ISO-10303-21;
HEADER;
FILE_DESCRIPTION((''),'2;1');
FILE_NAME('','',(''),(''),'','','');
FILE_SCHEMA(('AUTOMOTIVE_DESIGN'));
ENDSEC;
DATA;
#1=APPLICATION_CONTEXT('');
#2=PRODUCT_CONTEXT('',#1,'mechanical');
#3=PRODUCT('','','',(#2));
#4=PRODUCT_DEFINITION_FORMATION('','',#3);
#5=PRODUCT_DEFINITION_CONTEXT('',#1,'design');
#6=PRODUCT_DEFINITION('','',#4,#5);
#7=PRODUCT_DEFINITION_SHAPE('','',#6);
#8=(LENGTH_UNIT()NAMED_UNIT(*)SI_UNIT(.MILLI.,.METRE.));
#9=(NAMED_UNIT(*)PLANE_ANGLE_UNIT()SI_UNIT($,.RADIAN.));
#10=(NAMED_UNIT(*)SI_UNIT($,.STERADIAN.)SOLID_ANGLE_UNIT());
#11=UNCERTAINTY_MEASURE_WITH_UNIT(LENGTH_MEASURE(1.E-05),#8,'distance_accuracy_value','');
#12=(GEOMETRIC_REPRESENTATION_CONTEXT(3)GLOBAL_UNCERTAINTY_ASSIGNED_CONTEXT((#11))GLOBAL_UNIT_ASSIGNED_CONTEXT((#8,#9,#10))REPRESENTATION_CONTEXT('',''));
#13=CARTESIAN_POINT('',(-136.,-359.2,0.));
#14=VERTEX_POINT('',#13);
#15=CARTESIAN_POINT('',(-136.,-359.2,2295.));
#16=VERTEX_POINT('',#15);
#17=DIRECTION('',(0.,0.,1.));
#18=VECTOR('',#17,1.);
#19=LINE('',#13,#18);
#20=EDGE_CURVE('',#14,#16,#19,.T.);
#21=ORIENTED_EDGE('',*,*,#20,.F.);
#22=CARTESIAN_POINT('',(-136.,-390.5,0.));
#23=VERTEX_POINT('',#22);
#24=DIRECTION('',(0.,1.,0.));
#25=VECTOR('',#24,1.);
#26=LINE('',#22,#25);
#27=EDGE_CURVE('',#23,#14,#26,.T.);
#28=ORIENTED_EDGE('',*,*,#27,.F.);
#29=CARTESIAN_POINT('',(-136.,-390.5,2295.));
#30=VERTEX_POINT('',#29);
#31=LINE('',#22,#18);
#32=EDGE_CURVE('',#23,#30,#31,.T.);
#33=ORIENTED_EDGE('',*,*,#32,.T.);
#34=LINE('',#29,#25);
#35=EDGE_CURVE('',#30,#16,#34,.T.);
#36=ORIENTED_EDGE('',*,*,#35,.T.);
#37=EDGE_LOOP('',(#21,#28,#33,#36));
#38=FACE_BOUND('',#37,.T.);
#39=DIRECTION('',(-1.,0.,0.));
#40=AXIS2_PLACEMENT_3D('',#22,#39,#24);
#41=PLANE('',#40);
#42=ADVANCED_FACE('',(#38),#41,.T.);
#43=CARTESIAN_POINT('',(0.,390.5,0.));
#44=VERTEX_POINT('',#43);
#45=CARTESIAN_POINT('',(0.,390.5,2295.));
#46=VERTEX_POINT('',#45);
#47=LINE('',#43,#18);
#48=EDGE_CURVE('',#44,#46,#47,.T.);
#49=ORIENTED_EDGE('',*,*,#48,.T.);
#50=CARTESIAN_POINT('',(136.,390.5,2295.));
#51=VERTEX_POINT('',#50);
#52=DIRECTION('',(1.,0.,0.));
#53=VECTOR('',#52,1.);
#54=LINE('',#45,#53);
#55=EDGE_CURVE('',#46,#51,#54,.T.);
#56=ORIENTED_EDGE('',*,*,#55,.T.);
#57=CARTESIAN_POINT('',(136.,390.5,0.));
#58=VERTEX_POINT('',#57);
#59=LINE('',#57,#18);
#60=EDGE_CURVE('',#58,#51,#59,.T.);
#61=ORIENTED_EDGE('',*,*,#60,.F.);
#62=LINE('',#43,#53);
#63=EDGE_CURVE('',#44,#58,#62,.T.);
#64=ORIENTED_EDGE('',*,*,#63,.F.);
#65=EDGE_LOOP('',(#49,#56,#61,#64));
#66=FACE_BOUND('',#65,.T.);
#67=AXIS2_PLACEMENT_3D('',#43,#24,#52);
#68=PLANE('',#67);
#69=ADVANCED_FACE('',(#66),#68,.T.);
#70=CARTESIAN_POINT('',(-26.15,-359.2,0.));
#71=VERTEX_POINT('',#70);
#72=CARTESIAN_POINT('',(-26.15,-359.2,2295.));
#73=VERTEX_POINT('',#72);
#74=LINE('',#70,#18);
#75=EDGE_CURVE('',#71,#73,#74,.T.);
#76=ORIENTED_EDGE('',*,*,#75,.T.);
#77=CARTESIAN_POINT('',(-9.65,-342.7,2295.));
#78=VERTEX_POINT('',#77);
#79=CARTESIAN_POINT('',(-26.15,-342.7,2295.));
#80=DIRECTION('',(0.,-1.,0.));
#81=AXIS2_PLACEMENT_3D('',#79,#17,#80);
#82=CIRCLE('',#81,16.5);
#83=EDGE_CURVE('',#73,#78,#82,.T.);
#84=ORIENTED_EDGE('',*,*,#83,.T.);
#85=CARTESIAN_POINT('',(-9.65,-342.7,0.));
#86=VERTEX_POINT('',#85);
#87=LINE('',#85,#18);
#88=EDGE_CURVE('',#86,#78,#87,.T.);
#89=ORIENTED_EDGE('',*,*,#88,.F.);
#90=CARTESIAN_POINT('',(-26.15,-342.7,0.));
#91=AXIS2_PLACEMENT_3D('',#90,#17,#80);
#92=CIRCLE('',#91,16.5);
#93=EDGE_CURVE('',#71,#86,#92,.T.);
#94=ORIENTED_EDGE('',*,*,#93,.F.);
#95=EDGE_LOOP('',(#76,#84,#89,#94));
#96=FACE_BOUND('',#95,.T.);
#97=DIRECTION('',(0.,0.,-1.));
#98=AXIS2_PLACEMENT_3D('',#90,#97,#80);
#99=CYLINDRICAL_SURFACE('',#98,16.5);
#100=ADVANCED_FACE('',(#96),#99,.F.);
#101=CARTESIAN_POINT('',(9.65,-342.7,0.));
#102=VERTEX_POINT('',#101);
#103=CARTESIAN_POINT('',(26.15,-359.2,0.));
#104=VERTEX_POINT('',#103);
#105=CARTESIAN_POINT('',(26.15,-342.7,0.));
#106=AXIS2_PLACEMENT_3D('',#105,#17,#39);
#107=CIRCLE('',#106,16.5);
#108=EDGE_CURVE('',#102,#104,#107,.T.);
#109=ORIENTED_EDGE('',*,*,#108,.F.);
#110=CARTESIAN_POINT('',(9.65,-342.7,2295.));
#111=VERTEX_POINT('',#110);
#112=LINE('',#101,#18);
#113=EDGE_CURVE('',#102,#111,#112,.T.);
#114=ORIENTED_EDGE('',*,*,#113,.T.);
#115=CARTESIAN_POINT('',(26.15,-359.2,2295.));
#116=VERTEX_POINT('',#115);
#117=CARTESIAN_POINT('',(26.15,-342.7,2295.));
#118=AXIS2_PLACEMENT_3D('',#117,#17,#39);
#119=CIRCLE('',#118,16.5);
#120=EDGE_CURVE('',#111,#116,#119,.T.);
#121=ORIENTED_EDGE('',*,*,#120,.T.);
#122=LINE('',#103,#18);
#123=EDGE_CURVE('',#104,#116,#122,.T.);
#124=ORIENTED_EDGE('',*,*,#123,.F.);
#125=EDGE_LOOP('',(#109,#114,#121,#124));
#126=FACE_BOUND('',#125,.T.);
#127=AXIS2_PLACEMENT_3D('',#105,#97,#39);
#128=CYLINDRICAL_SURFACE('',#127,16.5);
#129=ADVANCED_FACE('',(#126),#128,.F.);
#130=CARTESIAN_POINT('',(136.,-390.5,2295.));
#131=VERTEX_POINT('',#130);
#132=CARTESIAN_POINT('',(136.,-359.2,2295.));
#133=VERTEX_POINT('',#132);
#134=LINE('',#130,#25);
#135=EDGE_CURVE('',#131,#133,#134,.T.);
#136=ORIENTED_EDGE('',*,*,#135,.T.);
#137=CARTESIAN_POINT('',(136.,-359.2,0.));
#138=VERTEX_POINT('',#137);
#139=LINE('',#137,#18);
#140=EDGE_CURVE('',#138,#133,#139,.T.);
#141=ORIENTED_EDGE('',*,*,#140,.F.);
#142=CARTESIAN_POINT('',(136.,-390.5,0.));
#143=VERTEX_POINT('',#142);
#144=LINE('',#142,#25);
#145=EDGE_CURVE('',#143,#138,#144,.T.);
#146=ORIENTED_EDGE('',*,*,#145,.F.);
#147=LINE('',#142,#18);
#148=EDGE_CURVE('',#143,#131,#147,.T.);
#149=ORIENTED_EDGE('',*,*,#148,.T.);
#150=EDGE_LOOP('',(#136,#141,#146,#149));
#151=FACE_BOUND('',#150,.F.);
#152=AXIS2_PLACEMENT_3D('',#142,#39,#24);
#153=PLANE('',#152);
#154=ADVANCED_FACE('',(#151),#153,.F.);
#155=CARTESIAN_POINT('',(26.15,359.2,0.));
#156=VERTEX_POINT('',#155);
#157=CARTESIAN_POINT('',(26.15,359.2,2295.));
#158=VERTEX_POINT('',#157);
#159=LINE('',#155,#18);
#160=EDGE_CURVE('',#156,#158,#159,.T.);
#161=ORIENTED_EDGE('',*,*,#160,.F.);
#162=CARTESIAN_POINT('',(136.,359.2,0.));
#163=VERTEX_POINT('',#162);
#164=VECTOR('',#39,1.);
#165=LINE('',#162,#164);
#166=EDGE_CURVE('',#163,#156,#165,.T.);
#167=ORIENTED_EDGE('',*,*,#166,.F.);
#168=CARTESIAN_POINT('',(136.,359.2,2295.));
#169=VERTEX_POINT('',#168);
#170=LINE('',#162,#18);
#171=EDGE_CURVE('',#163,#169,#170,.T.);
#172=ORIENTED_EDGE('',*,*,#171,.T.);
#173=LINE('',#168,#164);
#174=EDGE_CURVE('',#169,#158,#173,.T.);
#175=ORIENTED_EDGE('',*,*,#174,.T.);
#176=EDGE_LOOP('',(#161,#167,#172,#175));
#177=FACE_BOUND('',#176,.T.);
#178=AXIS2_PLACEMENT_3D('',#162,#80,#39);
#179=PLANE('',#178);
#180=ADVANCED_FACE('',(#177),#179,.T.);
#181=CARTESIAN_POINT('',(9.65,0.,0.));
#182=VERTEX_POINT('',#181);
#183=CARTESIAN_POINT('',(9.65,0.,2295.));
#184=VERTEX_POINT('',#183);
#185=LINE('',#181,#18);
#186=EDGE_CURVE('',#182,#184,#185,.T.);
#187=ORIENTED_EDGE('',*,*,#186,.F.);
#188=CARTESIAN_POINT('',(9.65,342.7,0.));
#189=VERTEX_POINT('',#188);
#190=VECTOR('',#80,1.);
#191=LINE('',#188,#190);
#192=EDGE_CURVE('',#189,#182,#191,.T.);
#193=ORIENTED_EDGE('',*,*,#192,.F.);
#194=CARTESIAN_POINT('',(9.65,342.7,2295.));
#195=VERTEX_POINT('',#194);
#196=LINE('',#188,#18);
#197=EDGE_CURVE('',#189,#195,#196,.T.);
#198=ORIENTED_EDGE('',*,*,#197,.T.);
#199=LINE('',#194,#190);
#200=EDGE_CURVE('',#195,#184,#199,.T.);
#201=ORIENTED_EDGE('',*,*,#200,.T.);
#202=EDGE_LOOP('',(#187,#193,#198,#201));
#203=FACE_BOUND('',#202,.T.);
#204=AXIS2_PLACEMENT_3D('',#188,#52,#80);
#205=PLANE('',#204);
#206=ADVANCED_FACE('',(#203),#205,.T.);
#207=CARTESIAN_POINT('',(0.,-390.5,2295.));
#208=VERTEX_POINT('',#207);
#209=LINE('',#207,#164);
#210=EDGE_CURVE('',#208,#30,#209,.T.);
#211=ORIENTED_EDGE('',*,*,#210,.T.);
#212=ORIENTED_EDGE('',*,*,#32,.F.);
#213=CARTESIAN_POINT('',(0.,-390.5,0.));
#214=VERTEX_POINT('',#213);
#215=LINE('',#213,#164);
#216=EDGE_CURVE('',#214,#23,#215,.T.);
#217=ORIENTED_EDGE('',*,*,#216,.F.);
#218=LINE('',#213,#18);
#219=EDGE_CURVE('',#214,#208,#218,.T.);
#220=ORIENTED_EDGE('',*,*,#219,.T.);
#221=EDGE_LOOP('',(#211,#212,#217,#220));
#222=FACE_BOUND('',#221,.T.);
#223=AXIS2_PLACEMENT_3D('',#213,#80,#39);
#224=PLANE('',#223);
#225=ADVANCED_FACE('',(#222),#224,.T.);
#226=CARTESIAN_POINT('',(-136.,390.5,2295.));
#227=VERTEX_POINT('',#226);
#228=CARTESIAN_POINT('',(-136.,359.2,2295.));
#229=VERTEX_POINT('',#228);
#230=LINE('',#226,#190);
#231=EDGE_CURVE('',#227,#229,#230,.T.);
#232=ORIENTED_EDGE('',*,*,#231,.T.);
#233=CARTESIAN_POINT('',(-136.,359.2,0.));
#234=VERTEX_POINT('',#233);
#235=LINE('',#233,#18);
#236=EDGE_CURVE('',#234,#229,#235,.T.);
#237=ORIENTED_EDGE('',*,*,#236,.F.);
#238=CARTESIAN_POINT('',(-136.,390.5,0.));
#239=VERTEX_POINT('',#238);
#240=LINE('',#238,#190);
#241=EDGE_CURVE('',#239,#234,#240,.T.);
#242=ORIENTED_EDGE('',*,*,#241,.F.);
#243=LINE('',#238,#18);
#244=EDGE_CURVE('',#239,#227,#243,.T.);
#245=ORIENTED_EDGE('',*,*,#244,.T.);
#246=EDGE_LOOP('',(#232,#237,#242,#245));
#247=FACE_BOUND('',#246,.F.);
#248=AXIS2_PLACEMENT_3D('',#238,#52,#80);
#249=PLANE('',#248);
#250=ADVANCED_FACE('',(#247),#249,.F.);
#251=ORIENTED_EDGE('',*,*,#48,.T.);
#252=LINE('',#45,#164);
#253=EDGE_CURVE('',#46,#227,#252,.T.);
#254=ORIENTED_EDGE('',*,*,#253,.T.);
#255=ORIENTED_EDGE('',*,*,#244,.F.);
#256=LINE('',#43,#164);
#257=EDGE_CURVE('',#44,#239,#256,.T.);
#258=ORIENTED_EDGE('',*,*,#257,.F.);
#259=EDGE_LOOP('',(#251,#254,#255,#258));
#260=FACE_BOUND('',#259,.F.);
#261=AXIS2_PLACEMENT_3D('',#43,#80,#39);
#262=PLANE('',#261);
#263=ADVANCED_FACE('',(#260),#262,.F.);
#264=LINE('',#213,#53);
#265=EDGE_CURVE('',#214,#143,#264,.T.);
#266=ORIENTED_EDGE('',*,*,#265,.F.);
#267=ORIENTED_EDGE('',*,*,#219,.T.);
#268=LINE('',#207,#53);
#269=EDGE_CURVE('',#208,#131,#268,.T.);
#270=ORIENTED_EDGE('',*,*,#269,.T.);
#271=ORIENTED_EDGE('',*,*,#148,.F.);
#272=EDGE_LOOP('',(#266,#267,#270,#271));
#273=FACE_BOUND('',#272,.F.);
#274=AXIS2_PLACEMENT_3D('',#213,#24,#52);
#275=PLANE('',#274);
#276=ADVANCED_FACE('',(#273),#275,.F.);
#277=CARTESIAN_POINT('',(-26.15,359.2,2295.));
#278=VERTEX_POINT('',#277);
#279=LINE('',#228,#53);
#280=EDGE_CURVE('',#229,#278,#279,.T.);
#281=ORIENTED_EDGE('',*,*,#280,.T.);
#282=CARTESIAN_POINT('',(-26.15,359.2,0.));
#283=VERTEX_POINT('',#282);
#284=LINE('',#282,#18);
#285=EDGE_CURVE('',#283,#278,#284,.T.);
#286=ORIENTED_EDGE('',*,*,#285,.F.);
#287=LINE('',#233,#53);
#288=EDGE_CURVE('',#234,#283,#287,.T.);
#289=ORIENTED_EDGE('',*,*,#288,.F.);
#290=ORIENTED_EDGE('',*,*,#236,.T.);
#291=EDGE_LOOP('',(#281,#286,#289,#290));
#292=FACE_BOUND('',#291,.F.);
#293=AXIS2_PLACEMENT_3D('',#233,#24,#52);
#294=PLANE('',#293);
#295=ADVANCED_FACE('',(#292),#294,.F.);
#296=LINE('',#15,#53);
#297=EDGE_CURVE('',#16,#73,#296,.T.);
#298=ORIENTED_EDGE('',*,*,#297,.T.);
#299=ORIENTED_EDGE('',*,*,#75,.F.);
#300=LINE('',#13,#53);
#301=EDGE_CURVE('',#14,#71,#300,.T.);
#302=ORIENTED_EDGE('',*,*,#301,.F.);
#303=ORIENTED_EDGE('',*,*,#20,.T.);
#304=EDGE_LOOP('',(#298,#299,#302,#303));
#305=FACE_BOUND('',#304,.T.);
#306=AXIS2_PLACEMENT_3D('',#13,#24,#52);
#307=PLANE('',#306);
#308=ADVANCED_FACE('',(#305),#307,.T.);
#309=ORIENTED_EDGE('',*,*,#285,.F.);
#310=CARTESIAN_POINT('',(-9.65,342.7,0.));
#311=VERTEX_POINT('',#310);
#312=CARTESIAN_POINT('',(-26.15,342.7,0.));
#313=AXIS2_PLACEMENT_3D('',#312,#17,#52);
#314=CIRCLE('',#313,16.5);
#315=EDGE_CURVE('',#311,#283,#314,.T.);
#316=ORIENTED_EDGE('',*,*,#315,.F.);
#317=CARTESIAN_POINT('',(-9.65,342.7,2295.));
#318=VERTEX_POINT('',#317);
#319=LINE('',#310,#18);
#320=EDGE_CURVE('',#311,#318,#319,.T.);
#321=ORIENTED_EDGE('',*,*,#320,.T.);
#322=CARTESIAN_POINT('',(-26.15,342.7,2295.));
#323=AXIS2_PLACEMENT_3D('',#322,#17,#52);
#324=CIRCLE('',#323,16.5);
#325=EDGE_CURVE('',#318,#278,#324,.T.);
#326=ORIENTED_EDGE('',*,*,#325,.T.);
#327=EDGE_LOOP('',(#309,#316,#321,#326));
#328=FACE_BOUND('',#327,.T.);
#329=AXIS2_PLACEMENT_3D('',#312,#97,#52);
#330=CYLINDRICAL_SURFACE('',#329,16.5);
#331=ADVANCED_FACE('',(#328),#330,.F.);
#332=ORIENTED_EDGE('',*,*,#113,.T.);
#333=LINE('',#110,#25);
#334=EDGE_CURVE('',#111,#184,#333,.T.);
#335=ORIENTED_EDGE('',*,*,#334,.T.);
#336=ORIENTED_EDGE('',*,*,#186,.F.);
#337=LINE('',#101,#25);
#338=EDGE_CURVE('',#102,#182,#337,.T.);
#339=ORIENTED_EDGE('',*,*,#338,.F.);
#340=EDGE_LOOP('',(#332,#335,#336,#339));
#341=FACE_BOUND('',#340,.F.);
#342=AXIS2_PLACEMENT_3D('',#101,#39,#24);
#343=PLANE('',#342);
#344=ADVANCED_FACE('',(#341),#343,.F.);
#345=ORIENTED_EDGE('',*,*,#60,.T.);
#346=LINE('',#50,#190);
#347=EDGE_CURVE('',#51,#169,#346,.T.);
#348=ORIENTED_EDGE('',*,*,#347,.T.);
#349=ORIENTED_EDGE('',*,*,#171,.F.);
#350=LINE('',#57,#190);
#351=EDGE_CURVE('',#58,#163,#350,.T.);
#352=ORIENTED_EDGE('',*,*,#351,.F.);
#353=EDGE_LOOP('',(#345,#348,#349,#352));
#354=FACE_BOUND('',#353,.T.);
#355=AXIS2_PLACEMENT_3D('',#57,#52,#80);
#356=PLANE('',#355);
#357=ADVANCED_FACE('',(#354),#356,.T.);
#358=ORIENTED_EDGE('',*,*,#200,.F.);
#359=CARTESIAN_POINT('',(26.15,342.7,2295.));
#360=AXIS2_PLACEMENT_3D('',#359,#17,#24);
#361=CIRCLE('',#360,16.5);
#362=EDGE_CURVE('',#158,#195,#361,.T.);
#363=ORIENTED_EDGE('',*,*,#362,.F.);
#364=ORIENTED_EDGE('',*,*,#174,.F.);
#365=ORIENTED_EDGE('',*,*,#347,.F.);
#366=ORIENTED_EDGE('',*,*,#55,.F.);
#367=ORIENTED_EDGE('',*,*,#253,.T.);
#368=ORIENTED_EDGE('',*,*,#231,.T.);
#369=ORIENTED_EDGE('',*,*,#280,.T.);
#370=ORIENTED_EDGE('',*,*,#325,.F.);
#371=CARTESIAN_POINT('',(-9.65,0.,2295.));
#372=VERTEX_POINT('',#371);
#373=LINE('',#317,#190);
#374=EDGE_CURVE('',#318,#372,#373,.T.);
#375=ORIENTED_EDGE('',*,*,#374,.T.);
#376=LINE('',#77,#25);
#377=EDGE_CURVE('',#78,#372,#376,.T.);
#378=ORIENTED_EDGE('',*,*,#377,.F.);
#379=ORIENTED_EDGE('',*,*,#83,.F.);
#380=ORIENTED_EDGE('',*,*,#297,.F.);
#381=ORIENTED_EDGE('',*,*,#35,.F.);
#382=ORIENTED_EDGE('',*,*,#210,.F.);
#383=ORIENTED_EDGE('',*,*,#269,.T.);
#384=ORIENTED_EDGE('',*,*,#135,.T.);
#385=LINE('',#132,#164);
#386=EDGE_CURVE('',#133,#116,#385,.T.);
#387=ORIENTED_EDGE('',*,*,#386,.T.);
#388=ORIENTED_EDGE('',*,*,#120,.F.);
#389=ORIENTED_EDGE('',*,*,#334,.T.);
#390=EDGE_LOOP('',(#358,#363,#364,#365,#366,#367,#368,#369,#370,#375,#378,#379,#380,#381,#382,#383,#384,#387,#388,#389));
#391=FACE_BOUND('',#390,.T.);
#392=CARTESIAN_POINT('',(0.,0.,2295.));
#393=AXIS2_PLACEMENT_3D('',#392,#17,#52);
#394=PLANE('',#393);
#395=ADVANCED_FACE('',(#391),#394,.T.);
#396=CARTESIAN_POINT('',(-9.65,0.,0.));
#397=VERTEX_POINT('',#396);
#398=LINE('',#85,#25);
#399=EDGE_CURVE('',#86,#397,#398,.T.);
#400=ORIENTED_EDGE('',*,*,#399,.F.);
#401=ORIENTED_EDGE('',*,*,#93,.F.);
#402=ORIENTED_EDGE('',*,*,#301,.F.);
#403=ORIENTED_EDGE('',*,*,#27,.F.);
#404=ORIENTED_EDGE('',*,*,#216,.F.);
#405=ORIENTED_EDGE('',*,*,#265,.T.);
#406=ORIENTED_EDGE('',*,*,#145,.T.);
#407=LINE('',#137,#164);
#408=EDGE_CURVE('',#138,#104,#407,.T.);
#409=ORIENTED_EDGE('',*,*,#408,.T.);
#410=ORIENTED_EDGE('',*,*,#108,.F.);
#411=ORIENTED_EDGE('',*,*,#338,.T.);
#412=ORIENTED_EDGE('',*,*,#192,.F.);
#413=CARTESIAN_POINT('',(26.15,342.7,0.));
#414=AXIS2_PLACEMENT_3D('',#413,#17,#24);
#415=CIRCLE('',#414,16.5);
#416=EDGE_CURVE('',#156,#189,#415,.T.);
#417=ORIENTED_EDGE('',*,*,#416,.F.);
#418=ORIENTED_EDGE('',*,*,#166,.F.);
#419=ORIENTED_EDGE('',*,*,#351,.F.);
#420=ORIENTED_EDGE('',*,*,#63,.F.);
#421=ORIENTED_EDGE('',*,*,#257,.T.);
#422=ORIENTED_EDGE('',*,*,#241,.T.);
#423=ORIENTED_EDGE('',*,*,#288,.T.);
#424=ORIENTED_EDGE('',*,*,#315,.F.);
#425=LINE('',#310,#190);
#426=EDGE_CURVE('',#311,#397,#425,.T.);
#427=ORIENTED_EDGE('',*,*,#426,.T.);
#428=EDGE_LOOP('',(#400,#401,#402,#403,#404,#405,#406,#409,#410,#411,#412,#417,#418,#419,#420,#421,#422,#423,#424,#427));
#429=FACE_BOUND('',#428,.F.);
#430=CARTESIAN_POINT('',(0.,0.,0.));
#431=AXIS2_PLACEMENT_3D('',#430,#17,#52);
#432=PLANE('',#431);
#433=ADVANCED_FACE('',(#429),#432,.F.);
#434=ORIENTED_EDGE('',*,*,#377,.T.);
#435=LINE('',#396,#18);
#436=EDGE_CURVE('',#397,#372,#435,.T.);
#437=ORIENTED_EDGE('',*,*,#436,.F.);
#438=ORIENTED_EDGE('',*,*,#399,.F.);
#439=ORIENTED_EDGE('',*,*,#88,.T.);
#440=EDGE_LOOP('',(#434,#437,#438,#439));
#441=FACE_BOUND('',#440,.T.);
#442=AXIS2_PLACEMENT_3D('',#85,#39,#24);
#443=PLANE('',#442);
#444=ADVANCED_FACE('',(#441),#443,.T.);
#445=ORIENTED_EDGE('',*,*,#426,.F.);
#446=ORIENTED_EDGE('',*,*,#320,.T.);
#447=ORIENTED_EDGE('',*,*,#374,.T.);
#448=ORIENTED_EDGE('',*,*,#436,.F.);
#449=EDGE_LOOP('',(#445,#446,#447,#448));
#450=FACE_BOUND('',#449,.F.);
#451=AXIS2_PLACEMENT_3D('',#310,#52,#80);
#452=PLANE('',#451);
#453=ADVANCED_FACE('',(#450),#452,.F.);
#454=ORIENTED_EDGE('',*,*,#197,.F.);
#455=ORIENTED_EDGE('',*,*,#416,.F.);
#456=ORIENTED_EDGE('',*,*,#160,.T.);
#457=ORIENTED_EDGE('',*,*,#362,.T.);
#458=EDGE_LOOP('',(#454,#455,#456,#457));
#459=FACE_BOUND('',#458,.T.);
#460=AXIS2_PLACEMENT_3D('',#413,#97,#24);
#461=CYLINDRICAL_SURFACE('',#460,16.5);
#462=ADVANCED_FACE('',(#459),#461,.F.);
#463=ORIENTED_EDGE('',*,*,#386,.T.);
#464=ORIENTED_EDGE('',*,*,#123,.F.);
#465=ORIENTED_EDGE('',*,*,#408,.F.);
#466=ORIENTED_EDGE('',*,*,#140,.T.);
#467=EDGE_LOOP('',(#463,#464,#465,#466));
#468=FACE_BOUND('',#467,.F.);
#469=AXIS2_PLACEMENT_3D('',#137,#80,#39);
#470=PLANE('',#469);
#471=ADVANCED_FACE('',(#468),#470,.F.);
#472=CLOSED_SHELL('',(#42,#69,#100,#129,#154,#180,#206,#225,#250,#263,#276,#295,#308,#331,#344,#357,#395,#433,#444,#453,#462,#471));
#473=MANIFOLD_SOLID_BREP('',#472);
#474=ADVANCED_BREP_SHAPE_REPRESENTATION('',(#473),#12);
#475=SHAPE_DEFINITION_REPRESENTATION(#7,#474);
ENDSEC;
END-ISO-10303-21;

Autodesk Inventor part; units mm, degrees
ref_plane "YZ Plane" through (0, 0, 0) normal (1, 0, 0) x (0, 1, 0)
ref_plane "Start plane" through (0, 0, 0) normal (0, 0, 1) x (1, 0, 0)
ref_plane "End plane" through (0, 0, 2295) normal (0, 0, 1) x (1, 0, 0)
sketch "Sketch" plane through (0, 0, 0) normal (0, 0, 1) x (1, 0, 0)
  line L0 (-136, -390.5) -> (-136, -359.2)
  line L1 (-136, -359.2) -> (-26.15, -359.2)
  line L2 (-9.65, -342.7) -> (-9.65, 0)
  line L3 (-9.65, 0) -> (0, 0) construction
  line L4 (0, 0) -> (0, -390.5) construction
  line L5 (0, -390.5) -> (-136, -390.5)
  line L6 (-60, 0) -> (80, 0) construction
  line L7 (0, -60) -> (0, 80) construction
  line L8 (136, -390.5) -> (136, -359.2)
  line L9 (136, -359.2) -> (26.15, -359.2)
  line L10 (9.65, -342.7) -> (9.65, 0)
  line L11 (9.65, 0) -> (0, 0) construction
  line L12 (0, -390.5) -> (136, -390.5)
  line L13 (-136, 390.5) -> (-136, 359.2)
  line L14 (-136, 359.2) -> (-26.15, 359.2)
  line L15 (-9.65, 342.7) -> (-9.65, 0)
  line L16 (0, 390.5) -> (-136, 390.5)
  line L17 (136, 390.5) -> (136, 359.2)
  line L18 (136, 359.2) -> (26.15, 359.2)
  line L19 (0, 390.5) -> (136, 390.5)
  line L20 (9.65, 342.7) -> (9.65, 0)
  arc A0 (-9.65, 342.7) -> (-26.15, 359.2) centre (-26.15, 342.7) ccw
  arc A1 (26.15, 359.2) -> (9.65, 342.7) centre (26.15, 342.7) ccw
  arc A2 (9.65, -342.7) -> (26.15, -359.2) centre (26.15, -342.7) ccw
  arc A3 (-26.15, -359.2) -> (-9.65, -342.7) centre (-26.15, -342.7) ccw
  line L21 (0, 108) -> (0, -88) construction
  line L22 (-88, 0) -> (108, 0) construction
  point P0 (-9.65, -359.2)
  point P1 (9.65, -359.2)
  point P2 (-9.65, 359.2)
  point P3 (9.65, 359.2)
  dimension "d1" = 390.5
  dimension "d2" = 31.3
  dimension "d3" = 136
  dimension "d4" = 9.65
  dimension "d10" = 16.5
extrude "Body" add sketch "Sketch" along normal up to surface (2295 mm away) from surface at 0
sketch "Sketch4" plane through (0, 0, 0) normal (0, 0, 1) x (1, 0, 0)
  line L0 (0, 0) -> (10, 0)
ref_plane "Work Plane3" through (0, 0, 0) normal (0, -1, 0) x (1, 0, 0)
sketch "Sketch5" plane through (0, 0, 0) normal (0, -1, 0) x (1, 0, 0)
  line L0 (-2, 0) -> (12, 0) projected
  line L1 (-2, 2295) -> (12, 2295) projected
  dimension "d14" = 2295
equation "\"d1\" = 0.5 * G_H"
equation "\"d2\" = G_T1"
equation "\"d3\" = 0.5 * G_W"
equation "\"d4\" = 0.5 * G_T"
equation "\"d10\" = G_IR"
equation "\"d5\" = G_L"
equation "\"G_W\" = 272"
equation "\"G_H\" = 781"
equation "\"G_T\" = 19.3"
equation "\"G_T1\" = 31.3"
equation "\"G_IR\" = 16.5"
equation "\"G_L\" = d14"
equation "\"G_OFFSET_START\" = 0"
equation "\"G_OFFSET_END\" = 0"
equation "\"d12\" = G_OFFSET_END + B_L"
equation "\"B_L\" = 2295"
properties part number "AS 3679-1990 - 760 UB - 244 - 2295" material "Steel, Mild"
